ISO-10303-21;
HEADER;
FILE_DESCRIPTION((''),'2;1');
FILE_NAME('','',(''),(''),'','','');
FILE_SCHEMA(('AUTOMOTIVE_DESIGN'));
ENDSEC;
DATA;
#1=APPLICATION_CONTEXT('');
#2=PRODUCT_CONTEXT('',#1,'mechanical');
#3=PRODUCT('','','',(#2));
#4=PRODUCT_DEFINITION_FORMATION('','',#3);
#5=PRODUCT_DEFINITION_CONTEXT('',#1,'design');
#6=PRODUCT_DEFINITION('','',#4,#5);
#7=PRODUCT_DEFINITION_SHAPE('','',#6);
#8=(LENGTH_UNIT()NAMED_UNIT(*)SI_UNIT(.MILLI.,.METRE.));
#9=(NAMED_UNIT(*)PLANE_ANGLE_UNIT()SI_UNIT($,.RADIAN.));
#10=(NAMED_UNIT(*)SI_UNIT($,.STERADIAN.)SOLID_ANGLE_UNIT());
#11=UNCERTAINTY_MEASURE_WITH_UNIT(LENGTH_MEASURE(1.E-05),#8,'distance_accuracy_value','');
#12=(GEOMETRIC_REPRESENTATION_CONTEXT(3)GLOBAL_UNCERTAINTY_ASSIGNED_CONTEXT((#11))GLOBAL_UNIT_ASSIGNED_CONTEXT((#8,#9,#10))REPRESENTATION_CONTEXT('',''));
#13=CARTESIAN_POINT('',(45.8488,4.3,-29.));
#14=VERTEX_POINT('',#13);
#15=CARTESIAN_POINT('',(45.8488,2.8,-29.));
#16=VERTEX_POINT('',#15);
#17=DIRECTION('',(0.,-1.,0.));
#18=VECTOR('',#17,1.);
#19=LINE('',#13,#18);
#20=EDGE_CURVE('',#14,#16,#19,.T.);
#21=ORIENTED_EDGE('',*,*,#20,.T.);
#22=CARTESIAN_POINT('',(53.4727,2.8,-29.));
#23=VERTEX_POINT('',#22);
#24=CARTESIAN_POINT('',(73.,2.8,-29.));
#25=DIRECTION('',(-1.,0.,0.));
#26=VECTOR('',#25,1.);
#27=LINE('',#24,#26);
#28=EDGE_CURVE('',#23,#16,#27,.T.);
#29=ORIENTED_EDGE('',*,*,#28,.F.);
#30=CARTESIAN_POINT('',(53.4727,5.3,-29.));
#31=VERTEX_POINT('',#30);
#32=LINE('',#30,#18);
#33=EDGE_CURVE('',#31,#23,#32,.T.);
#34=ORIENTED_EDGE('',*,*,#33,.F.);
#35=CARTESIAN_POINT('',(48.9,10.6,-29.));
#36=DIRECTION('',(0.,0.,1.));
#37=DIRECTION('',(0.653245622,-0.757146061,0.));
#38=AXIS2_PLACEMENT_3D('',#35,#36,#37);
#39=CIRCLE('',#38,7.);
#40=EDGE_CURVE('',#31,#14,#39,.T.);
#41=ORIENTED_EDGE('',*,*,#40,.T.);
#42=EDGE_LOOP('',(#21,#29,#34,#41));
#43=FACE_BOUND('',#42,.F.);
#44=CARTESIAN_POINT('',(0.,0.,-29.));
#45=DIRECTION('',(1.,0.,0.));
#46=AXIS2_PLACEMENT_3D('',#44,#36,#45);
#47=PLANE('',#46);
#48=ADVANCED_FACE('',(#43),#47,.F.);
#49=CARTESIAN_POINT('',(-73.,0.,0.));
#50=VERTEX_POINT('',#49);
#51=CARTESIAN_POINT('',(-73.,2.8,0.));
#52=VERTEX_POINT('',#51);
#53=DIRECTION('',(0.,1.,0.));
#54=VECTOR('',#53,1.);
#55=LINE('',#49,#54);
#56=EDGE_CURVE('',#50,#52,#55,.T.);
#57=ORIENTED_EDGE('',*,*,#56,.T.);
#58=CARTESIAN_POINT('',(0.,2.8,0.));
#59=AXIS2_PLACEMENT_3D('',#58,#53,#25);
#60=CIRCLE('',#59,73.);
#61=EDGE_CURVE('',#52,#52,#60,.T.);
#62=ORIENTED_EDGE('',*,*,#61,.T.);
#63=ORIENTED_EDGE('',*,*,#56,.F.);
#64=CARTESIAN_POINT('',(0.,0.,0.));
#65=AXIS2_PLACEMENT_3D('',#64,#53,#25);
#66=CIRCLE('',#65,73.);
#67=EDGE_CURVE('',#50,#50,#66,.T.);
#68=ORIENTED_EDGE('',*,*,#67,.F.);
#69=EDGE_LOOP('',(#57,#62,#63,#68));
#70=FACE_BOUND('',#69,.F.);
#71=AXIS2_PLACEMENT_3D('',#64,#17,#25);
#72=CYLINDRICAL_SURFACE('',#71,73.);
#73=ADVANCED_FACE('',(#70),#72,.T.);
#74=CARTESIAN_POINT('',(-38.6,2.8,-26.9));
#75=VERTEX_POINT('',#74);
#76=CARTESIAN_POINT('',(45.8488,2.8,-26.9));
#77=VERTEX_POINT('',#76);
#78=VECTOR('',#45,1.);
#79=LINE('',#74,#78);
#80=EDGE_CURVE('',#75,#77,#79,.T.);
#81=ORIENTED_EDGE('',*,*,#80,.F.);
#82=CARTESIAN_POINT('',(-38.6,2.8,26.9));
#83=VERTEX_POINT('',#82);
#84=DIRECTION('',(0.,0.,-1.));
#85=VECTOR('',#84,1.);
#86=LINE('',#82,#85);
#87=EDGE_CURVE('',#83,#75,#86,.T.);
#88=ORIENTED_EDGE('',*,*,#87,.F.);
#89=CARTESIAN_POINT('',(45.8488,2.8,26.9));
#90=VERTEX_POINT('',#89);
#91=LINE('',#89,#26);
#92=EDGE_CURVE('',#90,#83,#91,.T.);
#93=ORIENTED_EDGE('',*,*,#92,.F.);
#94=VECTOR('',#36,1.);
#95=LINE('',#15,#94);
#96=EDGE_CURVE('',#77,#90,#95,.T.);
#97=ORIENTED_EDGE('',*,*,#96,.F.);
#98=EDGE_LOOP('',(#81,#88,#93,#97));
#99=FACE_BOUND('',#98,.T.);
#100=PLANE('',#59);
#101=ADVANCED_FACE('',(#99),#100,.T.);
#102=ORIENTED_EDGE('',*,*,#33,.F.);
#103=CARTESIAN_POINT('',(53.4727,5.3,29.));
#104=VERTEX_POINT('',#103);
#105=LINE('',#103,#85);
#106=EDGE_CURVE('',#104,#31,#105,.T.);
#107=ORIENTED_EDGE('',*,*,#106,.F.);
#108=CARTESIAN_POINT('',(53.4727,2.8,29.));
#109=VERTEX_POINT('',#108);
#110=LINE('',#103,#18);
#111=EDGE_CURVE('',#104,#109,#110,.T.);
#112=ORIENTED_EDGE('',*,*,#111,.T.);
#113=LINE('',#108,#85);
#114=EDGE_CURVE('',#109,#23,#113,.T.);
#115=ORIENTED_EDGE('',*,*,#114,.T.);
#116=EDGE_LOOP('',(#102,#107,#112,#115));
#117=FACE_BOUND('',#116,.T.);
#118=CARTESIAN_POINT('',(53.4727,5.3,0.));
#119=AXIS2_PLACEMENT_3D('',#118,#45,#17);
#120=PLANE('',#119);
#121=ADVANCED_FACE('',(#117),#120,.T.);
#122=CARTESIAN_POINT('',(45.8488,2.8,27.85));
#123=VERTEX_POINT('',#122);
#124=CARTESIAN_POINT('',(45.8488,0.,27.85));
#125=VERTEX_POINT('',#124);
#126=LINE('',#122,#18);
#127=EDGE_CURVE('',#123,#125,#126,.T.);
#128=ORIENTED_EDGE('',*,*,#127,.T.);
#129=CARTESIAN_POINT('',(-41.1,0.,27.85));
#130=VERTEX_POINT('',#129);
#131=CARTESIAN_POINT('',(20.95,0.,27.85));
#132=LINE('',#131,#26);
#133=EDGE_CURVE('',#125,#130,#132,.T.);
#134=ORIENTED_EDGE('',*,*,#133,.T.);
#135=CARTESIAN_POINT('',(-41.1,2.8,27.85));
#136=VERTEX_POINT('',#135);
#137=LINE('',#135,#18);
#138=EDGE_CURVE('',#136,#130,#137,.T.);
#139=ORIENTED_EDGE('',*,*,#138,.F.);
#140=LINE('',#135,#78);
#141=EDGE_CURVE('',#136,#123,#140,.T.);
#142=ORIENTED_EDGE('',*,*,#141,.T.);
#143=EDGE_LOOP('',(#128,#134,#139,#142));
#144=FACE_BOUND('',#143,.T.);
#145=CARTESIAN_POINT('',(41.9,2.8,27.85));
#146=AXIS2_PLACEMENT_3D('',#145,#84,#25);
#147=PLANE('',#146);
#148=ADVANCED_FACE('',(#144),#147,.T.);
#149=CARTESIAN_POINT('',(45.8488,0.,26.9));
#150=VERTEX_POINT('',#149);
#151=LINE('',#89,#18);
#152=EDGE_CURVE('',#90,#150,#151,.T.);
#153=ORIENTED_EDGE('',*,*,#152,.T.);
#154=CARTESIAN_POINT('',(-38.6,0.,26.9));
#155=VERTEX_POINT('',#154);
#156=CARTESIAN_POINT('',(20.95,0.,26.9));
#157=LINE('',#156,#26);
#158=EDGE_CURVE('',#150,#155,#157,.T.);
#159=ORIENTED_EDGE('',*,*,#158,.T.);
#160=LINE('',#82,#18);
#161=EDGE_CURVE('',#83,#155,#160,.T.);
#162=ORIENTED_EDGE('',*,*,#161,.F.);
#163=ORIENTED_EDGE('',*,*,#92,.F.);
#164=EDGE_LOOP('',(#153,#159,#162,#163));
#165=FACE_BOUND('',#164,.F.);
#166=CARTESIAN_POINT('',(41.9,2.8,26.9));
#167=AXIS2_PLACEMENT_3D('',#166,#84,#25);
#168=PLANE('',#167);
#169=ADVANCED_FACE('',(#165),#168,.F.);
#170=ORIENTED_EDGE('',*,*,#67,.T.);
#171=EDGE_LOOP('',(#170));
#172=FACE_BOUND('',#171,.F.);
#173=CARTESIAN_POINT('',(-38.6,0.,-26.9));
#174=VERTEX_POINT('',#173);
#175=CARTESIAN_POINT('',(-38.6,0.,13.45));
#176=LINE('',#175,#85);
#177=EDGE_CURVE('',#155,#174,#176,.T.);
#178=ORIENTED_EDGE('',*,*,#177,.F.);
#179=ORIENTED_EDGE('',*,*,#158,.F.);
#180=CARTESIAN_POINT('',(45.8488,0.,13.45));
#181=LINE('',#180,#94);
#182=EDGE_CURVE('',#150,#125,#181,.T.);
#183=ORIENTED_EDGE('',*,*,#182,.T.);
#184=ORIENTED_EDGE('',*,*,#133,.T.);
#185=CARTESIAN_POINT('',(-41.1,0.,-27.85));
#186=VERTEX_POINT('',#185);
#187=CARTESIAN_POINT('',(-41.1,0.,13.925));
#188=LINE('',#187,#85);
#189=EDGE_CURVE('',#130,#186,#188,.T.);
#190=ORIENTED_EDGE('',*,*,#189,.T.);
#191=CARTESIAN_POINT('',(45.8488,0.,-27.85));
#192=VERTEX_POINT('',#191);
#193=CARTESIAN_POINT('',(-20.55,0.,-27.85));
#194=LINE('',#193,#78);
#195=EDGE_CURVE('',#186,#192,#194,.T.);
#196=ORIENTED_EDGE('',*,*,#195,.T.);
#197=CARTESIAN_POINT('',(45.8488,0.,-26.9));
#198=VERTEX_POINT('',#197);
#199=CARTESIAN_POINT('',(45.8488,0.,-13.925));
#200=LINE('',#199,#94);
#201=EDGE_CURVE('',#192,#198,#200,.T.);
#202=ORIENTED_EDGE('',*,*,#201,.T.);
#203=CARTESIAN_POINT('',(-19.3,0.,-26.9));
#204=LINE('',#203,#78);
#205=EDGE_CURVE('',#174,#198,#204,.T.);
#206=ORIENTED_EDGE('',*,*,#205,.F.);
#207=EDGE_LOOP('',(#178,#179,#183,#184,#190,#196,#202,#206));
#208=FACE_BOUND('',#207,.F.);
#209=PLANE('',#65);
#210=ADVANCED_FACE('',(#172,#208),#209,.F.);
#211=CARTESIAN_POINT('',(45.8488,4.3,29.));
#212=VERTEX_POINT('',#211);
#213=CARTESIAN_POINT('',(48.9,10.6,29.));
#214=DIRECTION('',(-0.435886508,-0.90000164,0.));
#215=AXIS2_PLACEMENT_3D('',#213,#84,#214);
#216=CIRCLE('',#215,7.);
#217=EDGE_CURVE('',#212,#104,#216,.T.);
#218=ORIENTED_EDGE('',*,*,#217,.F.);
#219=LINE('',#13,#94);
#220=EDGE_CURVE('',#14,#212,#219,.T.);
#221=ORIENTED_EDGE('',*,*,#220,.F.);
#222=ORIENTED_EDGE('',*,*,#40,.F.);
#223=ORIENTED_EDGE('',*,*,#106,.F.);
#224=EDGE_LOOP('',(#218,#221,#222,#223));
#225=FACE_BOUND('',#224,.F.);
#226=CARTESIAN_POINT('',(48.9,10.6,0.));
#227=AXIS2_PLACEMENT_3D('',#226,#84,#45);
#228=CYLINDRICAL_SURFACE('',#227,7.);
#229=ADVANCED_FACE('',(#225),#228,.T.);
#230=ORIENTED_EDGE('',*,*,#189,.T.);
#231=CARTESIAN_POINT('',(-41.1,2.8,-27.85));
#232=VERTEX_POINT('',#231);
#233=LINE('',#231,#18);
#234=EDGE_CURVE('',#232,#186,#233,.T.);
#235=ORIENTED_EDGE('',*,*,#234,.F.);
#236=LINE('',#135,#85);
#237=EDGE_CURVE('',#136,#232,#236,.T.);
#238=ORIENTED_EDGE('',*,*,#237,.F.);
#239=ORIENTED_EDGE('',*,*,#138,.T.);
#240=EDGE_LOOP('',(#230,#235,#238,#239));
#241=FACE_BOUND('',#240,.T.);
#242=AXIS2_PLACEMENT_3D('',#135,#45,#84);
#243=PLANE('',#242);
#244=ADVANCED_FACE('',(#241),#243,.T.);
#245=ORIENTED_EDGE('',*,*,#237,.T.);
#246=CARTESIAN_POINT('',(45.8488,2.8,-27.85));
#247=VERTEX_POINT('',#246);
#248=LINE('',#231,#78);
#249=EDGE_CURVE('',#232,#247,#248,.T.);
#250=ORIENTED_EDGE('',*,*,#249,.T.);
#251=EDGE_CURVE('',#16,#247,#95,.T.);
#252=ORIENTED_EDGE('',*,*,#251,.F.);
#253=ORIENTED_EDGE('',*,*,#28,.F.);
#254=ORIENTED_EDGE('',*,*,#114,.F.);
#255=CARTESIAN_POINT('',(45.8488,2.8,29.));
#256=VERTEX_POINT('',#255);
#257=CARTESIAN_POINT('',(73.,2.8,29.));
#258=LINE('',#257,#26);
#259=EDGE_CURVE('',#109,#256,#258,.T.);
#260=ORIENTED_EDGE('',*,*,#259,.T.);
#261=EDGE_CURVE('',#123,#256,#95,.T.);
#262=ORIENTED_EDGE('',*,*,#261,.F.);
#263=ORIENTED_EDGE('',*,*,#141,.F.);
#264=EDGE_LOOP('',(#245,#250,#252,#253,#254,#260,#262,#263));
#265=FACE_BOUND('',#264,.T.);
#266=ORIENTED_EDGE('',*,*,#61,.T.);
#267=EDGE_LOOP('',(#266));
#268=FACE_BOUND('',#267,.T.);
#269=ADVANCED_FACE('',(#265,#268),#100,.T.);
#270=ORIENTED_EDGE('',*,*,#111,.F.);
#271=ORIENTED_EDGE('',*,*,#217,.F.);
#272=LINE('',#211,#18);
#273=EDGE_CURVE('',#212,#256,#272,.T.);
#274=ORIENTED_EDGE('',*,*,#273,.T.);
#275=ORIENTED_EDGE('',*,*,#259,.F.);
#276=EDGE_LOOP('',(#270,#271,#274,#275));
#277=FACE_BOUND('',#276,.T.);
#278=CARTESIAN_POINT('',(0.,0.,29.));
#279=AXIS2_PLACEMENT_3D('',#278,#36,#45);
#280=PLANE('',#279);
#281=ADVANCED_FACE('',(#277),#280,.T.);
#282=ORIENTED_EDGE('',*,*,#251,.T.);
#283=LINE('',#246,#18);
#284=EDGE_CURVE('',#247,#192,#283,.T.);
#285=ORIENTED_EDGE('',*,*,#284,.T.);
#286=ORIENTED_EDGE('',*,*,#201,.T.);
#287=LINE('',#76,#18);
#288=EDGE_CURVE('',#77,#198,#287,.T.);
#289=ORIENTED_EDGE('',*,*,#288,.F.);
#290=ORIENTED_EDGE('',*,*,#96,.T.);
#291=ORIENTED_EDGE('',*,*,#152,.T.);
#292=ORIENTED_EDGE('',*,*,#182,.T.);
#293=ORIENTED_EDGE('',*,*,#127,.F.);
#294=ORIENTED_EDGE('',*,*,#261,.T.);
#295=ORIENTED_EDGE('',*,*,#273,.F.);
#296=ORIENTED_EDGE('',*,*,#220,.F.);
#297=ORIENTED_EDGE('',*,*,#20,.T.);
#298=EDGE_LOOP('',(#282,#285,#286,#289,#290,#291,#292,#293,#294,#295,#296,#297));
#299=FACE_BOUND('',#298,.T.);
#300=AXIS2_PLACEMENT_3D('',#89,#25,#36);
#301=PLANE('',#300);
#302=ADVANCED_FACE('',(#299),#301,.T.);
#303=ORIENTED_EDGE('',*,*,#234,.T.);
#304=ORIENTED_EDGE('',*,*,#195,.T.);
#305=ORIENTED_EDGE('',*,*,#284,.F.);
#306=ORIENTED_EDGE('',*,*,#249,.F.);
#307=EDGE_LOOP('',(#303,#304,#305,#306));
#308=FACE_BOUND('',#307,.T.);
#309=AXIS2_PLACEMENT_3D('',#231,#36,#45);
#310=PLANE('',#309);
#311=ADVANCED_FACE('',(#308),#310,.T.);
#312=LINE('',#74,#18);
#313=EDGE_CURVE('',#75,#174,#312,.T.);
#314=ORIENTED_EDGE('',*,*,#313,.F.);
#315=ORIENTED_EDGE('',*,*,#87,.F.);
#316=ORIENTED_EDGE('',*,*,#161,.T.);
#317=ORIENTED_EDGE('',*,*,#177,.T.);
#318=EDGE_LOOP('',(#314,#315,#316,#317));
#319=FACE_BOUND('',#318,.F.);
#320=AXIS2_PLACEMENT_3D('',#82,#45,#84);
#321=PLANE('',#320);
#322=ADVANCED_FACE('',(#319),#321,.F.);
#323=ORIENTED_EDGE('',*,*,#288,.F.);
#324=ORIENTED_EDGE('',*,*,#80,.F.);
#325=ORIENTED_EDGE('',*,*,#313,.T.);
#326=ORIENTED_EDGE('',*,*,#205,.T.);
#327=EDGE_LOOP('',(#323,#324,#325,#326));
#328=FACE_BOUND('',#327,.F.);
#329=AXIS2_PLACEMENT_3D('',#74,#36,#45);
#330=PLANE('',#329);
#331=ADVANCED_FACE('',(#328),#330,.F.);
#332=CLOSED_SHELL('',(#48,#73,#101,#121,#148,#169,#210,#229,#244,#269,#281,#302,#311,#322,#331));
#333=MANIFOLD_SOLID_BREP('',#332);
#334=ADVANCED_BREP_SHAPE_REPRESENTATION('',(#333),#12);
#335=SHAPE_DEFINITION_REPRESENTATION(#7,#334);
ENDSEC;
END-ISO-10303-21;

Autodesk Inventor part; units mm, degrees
ref_plane "YZ Plane" through (0, 0, 0) normal (1, 0, 0) x (0, 1, 0)
ref_plane "XZ Plane" through (0, 0, 0) normal (0, 1, 0) x (-1, 0, 0)
ref_plane "XY Plane" through (0, 0, 0) normal (0, 0, 1) x (1, 0, 0)
sketch "草圖1" plane through (0, 0, 0) normal (0, 1, 0) x (-1, 0, 0)
  circle A0 centre (0, 0) radius 73
  dimension "d0" = 146
extrude "擠出1" add sketch "草圖1" along normal blind 2.8
sketch "草圖2" plane through (0, 0, 0) normal (0, 0, 1) x (1, 0, 0)
  circle A0 centre (48.9, 10.6) radius 7
  line L0 (73, 0) -> (-73, 0) projected
  line L1 (73, 0) -> (73, 2.8) projected
  line L2 (53.4727, 5.3) -> (53.4727, 2.8)
  line L3 (73, 2.8) -> (-73, 2.8) projected
  line L4 (45.8488, 4.3) -> (45.8488, 2.8)
  point P0 (0, 0)
  point P1 (48.9, 17.6)
  point P2 (41.9, 10.6)
  dimension "d3" = 14
  dimension "d4" = 17.6
  dimension "d5" = 31.1
  dimension "d6" = 1.5
  dimension "d7" = 2.5
extrude "擠出2" add sketch "草圖2" along normal mid plane 58
sketch "草圖3" plane through (0, 2.8, 0) normal (0, 1, 0) x (1, 0, 0)
  line L0 (-41.1, 27.85) -> (45.8488, 27.85)
  line L1 (45.8488, 27.85) -> (45.8488, -27.85)
  line L2 (45.8488, -27.85) -> (-41.1, -27.85)
  line L3 (-41.1, -27.85) -> (-41.1, 27.85)
  line L4 (-38.6, 26.9) -> (45.8488, 26.9)
  line L5 (45.8488, 26.9) -> (45.8488, -26.9)
  line L6 (45.8488, -26.9) -> (-38.6, -26.9)
  line L7 (-38.6, -26.9) -> (-38.6, 26.9)
  line L8 (45.8488, -29) -> (45.8488, 29) projected
  line L9 (41.9, 29) -> (41.9, -29) projected
  point P0 (0, 0)
  point P1 (-38.6, 0)
  point P2 (-41.1, 0)
  point P3 (41.9, -27.85)
  point P4 (41.9, -26.9)
  point P5 (41.9, 26.9)
  point P6 (41.9, 27.85)
  dimension "d10" = 55.7
  dimension "d11" = 53.8
  dimension "d12" = 80.5
  dimension "d13" = 83
extrude "擠出3" cut sketch "草圖3" against normal through all contours L0 L9 L4 L7 L6 L2 L3 | L0 L1 L4 L9 | L9 L6 L1 L2
properties part number "平板架"
